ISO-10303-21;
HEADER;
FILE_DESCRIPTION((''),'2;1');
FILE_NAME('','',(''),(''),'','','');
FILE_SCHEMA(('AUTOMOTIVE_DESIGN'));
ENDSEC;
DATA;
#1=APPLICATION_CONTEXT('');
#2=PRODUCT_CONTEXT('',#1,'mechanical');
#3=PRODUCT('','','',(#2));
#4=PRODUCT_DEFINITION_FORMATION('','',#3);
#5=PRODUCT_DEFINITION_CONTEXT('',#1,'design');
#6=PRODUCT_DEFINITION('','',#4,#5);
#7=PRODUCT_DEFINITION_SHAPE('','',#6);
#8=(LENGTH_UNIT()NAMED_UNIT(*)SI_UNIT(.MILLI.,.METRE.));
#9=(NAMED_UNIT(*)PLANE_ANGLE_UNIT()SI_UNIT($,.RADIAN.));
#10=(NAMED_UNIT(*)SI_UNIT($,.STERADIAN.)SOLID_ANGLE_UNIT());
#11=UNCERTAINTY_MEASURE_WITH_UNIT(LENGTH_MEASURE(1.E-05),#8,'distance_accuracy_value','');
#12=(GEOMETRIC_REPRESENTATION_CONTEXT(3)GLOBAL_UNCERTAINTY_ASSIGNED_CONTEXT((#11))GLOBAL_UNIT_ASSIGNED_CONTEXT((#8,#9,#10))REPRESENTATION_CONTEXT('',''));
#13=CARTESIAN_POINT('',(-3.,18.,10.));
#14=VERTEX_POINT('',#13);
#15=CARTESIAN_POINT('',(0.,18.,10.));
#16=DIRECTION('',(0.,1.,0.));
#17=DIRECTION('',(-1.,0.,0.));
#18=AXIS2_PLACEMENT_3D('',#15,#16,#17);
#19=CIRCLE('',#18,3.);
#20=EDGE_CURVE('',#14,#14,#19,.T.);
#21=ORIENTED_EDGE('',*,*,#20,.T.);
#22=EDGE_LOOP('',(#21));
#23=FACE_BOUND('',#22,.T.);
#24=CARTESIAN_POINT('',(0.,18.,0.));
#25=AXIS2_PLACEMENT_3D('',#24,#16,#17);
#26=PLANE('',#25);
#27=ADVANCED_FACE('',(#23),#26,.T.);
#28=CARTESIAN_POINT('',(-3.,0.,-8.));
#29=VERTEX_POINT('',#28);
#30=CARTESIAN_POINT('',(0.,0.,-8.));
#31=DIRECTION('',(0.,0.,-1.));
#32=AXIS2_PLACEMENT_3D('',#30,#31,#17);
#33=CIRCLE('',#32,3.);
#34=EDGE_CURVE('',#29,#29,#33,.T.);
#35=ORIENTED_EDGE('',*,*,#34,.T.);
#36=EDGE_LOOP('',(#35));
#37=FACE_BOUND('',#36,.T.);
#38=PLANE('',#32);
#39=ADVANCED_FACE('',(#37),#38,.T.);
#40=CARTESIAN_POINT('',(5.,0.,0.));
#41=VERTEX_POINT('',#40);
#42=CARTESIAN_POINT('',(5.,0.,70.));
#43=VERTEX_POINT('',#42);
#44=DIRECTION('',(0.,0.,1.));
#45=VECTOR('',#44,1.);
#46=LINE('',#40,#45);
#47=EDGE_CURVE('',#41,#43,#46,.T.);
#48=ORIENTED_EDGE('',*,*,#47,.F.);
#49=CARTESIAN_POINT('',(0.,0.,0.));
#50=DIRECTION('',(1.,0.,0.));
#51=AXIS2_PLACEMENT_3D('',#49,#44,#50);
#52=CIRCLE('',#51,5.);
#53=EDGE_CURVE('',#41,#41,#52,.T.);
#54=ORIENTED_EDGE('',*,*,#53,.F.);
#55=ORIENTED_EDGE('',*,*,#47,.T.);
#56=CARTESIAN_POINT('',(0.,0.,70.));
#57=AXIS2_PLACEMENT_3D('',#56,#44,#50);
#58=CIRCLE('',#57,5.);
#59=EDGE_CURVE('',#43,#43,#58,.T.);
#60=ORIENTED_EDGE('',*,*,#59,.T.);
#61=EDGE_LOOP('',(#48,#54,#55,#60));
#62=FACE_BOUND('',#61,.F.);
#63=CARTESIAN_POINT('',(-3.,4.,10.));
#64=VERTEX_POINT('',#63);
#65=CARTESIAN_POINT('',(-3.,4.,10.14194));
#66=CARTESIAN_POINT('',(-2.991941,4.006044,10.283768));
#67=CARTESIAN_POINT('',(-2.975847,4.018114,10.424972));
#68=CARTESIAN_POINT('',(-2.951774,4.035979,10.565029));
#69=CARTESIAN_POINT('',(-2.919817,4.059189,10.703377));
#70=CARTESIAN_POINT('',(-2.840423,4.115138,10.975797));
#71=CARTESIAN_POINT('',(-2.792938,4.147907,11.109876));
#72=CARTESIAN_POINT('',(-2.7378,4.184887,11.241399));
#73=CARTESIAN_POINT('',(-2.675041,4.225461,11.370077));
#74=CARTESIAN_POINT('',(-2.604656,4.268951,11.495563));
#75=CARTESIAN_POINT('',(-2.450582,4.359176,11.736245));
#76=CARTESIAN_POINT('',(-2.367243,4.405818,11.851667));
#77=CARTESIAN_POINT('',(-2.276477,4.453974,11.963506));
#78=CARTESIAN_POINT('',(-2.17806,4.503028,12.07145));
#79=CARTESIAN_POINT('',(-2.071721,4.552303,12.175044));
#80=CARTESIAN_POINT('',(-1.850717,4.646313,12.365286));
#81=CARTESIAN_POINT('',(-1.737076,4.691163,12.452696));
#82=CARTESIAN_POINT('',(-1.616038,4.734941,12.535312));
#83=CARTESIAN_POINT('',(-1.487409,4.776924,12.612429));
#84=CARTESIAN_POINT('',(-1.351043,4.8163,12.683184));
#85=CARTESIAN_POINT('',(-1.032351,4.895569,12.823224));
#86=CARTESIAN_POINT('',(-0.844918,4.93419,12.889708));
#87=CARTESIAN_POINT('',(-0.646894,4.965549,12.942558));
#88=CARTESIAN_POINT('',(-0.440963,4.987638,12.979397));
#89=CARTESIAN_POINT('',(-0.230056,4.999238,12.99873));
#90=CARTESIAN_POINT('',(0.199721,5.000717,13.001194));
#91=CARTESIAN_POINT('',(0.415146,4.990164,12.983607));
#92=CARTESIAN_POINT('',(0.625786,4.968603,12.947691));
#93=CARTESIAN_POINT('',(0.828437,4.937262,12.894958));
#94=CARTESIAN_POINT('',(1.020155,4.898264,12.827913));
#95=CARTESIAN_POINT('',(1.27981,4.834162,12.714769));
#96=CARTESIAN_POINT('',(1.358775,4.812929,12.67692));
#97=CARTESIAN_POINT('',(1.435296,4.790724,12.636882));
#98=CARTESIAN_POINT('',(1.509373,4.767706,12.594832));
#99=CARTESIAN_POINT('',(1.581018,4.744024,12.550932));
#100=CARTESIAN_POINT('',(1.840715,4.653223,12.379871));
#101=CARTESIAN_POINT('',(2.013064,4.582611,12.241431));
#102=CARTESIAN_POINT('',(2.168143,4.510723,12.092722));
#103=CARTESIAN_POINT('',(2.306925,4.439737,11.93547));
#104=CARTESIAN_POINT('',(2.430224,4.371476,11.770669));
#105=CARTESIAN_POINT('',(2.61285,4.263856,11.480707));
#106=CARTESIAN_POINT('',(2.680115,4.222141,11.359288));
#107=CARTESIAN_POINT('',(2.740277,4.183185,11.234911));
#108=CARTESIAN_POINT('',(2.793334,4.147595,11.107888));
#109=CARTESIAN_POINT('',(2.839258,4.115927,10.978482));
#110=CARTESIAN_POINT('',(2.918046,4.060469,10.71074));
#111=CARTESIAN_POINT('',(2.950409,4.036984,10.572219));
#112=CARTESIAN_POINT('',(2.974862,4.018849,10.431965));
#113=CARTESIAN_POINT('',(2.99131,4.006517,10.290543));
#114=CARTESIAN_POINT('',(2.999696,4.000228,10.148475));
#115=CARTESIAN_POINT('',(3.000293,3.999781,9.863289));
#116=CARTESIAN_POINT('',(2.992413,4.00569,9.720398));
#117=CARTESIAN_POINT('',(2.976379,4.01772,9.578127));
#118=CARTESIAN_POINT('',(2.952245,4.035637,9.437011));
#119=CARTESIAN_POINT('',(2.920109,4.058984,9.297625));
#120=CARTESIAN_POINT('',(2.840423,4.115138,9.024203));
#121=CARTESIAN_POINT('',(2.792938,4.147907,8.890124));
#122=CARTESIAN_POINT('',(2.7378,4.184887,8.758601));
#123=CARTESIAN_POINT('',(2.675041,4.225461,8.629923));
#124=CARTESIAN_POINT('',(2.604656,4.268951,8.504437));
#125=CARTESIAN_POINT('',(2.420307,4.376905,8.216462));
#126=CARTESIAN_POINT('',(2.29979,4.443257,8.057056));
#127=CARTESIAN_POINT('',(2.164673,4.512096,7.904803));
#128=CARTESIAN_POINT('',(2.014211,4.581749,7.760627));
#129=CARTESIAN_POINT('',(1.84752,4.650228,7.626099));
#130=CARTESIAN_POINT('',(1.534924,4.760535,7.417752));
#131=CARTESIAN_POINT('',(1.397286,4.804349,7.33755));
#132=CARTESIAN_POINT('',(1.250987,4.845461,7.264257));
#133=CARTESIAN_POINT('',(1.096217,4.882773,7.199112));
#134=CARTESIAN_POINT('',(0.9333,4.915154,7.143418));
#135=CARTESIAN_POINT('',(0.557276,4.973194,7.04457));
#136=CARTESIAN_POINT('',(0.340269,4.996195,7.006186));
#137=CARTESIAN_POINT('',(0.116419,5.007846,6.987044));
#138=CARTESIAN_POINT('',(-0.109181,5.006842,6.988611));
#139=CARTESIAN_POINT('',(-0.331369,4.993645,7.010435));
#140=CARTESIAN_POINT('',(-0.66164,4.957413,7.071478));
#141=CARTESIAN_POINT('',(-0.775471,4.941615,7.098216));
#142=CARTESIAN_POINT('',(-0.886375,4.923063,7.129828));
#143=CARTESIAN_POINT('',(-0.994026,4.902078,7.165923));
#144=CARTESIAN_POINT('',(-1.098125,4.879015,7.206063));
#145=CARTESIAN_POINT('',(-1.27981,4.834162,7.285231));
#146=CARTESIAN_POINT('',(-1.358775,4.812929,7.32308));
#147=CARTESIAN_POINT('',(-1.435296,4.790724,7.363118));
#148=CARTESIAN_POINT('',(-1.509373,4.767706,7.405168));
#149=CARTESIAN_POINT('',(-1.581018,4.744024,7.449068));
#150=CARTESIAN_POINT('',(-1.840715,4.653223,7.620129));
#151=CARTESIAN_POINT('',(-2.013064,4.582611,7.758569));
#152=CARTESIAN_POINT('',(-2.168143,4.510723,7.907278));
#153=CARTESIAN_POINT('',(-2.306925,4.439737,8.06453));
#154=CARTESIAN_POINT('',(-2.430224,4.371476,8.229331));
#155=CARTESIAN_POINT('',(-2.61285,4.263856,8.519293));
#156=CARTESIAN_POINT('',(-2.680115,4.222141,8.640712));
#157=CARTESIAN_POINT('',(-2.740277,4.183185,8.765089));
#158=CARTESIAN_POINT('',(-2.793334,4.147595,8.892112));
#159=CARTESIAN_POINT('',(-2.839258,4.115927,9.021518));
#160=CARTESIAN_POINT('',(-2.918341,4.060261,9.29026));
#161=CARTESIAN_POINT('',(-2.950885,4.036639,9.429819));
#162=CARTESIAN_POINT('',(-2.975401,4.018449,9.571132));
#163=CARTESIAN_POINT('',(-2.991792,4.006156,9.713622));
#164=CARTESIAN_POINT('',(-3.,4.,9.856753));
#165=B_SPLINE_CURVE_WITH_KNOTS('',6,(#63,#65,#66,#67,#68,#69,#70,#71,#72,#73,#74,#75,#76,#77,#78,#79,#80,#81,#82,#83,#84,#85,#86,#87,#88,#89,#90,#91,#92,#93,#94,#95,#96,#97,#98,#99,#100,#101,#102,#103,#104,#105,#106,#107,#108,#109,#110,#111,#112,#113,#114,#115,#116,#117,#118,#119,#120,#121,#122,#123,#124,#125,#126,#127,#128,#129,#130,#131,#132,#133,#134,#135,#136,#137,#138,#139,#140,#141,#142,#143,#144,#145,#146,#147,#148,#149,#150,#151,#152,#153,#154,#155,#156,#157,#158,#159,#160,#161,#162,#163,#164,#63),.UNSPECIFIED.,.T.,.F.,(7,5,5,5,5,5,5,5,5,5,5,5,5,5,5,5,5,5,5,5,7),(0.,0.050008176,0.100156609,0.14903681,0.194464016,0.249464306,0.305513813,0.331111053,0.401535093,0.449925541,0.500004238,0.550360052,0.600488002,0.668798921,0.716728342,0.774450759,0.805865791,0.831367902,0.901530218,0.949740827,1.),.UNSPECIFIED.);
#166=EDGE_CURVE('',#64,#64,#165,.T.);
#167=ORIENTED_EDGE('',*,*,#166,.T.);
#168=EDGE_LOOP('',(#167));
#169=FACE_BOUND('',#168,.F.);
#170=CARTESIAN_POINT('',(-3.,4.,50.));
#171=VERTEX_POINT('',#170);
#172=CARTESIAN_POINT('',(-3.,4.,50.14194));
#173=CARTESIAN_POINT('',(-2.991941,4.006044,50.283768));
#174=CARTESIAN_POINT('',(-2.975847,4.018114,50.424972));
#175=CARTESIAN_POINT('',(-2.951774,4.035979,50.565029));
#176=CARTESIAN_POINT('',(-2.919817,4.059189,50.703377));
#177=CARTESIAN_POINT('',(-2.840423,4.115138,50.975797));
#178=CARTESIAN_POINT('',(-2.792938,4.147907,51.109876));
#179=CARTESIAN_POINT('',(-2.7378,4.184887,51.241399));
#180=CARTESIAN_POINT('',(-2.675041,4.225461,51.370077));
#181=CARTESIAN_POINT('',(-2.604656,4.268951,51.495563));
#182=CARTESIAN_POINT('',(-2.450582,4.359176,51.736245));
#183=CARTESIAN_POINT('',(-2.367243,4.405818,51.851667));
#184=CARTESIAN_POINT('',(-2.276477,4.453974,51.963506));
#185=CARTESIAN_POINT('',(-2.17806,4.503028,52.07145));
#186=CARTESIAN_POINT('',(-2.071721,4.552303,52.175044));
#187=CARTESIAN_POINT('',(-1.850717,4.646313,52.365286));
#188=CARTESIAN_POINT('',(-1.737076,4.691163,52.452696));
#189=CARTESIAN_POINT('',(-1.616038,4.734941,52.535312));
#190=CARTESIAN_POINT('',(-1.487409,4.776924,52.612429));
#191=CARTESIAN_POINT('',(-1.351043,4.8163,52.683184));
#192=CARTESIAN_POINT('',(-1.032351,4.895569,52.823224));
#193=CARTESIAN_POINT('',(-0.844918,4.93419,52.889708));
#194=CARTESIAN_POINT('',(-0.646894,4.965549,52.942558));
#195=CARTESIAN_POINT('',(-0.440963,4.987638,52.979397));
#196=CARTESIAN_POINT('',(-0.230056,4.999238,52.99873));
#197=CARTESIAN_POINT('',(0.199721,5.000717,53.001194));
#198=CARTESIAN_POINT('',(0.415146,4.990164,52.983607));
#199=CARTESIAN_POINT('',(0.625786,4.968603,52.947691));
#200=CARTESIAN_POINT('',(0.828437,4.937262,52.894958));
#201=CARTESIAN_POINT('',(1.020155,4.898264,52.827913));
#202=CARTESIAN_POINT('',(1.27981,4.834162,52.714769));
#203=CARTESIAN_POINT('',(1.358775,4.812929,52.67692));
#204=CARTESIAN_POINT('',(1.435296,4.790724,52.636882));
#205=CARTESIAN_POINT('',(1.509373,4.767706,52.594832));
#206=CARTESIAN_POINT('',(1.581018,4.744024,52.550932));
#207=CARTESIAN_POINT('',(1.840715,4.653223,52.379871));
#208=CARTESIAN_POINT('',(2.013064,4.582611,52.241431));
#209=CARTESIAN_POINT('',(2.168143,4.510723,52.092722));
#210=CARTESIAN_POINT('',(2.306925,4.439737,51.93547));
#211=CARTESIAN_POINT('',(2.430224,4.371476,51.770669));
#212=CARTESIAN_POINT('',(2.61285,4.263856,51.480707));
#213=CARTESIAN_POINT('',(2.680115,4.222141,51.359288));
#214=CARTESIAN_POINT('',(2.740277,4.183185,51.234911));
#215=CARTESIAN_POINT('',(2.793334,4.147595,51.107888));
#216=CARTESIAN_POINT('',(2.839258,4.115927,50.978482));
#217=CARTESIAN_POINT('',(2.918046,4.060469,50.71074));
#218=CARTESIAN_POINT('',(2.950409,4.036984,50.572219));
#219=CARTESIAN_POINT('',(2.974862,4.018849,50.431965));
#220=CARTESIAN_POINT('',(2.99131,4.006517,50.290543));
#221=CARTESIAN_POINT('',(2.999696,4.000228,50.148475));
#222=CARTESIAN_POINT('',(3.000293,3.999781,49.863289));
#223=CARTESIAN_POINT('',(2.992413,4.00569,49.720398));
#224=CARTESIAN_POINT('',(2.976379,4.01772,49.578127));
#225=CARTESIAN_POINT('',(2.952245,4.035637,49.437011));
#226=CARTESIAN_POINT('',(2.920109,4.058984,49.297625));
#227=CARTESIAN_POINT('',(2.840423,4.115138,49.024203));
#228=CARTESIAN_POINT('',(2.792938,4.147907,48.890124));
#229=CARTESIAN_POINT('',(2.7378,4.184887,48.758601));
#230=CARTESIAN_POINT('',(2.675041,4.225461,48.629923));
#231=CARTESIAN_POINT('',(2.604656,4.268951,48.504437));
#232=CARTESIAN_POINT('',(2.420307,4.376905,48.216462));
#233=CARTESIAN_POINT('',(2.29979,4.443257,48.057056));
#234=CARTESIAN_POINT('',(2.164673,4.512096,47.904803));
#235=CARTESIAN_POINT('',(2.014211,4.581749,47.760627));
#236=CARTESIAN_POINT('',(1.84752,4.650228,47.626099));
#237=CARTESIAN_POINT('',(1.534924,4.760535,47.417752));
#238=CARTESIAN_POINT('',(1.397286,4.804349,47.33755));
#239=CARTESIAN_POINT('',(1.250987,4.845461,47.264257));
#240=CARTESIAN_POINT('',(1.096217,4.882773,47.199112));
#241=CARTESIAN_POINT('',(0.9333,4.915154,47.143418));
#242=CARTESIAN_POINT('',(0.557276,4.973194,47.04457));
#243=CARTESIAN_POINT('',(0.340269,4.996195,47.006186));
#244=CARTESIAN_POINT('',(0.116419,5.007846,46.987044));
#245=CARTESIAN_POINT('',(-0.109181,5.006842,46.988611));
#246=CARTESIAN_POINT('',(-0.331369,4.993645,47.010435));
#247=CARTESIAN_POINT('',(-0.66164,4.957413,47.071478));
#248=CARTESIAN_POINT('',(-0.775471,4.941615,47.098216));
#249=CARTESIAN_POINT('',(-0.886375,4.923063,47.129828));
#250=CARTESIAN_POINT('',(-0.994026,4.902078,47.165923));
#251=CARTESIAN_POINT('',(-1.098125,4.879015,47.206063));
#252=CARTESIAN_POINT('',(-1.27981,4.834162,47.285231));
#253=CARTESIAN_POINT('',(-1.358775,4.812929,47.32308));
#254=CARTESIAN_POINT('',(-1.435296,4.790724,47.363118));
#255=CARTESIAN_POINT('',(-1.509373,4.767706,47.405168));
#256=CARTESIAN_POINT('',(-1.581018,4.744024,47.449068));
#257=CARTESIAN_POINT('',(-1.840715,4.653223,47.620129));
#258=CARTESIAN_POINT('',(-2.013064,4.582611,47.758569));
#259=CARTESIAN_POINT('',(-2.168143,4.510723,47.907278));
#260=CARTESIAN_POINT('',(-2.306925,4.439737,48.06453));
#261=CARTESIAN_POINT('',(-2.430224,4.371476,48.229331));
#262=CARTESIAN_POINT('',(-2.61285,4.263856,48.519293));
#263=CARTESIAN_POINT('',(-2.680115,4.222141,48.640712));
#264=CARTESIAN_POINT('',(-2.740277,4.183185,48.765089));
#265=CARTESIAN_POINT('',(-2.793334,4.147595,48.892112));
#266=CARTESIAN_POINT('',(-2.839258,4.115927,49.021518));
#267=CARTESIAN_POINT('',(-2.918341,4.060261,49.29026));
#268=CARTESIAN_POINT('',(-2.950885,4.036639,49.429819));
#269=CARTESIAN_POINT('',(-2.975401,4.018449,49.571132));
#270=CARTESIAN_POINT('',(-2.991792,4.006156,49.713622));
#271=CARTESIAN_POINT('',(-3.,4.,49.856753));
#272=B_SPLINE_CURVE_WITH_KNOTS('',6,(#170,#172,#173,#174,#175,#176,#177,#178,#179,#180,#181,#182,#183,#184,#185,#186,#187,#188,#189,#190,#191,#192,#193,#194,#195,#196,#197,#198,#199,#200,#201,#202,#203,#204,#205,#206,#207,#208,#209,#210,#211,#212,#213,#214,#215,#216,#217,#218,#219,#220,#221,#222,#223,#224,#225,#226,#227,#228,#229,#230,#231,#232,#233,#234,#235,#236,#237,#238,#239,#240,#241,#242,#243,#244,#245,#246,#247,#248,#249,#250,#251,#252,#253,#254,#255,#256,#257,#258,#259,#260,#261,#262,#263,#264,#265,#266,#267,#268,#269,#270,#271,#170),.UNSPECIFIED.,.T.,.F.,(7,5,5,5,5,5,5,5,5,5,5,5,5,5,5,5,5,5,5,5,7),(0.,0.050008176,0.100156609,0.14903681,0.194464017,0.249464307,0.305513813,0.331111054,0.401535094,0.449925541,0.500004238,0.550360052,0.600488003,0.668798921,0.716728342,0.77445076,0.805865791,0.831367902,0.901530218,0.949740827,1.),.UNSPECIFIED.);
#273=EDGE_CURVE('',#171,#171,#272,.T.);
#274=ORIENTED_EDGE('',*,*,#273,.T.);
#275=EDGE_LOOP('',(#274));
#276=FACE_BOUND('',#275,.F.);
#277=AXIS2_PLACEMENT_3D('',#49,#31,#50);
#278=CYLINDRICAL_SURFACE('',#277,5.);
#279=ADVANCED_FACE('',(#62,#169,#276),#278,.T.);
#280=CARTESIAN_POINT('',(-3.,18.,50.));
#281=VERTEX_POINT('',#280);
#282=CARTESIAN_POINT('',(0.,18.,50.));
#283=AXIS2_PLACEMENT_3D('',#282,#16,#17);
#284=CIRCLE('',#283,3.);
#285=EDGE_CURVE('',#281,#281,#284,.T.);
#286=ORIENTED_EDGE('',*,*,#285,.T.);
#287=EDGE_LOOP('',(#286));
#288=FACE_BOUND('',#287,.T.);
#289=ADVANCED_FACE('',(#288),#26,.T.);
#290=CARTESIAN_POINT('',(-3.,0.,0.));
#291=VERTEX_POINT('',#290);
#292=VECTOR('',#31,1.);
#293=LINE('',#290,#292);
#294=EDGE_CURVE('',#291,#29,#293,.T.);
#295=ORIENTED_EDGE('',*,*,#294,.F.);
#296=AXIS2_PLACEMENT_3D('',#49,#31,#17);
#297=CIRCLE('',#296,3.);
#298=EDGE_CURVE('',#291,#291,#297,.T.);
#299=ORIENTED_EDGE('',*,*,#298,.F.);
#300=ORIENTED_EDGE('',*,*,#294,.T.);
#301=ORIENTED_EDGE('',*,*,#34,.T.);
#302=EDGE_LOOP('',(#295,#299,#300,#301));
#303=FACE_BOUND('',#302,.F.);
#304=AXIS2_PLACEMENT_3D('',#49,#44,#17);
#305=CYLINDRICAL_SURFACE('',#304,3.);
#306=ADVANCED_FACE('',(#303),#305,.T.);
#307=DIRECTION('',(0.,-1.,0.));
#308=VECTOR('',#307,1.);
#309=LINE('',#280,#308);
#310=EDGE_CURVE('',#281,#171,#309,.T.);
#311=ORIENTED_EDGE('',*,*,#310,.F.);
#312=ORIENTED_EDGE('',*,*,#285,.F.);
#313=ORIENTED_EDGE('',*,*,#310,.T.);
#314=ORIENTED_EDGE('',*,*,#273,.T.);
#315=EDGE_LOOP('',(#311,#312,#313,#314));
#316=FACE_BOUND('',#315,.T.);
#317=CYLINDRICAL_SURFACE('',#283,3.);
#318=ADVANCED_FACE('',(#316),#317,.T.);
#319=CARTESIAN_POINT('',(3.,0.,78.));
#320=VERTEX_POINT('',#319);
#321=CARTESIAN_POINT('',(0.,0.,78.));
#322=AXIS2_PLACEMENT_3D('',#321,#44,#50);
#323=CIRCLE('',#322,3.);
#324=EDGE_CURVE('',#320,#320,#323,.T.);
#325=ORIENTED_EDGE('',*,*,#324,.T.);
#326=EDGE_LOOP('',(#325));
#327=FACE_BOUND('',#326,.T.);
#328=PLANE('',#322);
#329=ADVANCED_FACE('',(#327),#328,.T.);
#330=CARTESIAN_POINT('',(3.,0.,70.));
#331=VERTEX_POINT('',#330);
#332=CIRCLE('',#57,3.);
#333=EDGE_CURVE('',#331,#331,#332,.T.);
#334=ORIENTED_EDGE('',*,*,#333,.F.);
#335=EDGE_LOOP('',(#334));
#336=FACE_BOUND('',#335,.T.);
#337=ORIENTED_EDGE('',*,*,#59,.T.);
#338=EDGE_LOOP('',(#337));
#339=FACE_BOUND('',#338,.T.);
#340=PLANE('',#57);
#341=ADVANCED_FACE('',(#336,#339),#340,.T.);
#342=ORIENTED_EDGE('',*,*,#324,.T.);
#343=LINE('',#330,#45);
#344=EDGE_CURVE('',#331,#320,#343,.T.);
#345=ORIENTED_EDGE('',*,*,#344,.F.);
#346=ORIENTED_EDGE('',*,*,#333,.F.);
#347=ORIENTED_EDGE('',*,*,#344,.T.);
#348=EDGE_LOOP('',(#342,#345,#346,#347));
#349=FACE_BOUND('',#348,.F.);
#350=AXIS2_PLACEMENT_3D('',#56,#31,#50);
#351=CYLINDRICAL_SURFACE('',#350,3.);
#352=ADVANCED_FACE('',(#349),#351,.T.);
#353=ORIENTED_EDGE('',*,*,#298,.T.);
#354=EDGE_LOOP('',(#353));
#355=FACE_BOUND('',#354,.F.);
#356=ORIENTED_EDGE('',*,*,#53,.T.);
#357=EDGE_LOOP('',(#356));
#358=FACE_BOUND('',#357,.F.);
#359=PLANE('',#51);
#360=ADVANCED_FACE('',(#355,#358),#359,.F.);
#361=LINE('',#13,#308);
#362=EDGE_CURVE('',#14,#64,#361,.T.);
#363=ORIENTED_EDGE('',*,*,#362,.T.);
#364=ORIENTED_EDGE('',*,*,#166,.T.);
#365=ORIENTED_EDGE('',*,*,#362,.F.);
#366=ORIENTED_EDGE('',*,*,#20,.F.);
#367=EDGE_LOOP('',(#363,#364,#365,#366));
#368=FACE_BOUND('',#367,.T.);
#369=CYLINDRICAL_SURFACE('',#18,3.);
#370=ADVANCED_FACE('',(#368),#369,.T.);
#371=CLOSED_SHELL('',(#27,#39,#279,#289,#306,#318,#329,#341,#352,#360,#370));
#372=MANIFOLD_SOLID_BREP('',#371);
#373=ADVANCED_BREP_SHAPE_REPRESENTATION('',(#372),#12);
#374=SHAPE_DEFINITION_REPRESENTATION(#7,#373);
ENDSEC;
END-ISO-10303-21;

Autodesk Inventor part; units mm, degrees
ref_plane "YZ Plane" through (0, 0, 0) normal (1, 0, 0) x (0, 1, 0)
ref_plane "XY Plane" through (0, 0, 0) normal (0, 0, 1) x (1, 0, 0)
sketch "Sketch1" plane through (0, 0, 0) normal (0, 0, 1) x (1, 0, 0)
  circle A0 centre (0, 0) radius 5
  dimension "d0" = 10
extrude "Extrusion1" add sketch "Sketch1" along normal blind 70
sketch "Sketch2" plane through (0, 0, 70) normal (0, 0, 1) x (1, 0, 0)
  circle A0 centre (0, 0) radius 3
  dimension "d3" = 6
extrude "Extrusion2" add sketch "Sketch2" along normal blind 8
sketch "Sketch3" plane through (0, 0, 0) normal (0, 0, -1) x (-1, 0, 0)
  circle A0 centre (0, 0) radius 3 projected
  circle A1 centre (0, 0) radius 3
  dimension "d6" = 6
extrude "Extrusion3" add sketch "Sketch3" along normal blind 8
ref_plane "Work Plane1" through (0, 18, 0) normal (0, 1, 0) x (-1, 0, 0)
sketch "Sketch4" plane through (0, 18, 0) normal (0, 1, 0) x (-1, 0, 0)
  circle A0 centre (0, 10) radius 3
  circle A1 centre (0, 50) radius 3
  line L0 (5, 0) -> (5, 70) projected
  line L1 (5, 35) -> (17.3974, 35) construction
  point P0 (0, 0)
  dimension "d10" = 6
  dimension "d11" = 6
  dimension "d12" = 40
  dimension "d13" = 10
extrude "Extrusion4" add sketch "Sketch4" against normal up to surface
properties part number "verbindung2"
